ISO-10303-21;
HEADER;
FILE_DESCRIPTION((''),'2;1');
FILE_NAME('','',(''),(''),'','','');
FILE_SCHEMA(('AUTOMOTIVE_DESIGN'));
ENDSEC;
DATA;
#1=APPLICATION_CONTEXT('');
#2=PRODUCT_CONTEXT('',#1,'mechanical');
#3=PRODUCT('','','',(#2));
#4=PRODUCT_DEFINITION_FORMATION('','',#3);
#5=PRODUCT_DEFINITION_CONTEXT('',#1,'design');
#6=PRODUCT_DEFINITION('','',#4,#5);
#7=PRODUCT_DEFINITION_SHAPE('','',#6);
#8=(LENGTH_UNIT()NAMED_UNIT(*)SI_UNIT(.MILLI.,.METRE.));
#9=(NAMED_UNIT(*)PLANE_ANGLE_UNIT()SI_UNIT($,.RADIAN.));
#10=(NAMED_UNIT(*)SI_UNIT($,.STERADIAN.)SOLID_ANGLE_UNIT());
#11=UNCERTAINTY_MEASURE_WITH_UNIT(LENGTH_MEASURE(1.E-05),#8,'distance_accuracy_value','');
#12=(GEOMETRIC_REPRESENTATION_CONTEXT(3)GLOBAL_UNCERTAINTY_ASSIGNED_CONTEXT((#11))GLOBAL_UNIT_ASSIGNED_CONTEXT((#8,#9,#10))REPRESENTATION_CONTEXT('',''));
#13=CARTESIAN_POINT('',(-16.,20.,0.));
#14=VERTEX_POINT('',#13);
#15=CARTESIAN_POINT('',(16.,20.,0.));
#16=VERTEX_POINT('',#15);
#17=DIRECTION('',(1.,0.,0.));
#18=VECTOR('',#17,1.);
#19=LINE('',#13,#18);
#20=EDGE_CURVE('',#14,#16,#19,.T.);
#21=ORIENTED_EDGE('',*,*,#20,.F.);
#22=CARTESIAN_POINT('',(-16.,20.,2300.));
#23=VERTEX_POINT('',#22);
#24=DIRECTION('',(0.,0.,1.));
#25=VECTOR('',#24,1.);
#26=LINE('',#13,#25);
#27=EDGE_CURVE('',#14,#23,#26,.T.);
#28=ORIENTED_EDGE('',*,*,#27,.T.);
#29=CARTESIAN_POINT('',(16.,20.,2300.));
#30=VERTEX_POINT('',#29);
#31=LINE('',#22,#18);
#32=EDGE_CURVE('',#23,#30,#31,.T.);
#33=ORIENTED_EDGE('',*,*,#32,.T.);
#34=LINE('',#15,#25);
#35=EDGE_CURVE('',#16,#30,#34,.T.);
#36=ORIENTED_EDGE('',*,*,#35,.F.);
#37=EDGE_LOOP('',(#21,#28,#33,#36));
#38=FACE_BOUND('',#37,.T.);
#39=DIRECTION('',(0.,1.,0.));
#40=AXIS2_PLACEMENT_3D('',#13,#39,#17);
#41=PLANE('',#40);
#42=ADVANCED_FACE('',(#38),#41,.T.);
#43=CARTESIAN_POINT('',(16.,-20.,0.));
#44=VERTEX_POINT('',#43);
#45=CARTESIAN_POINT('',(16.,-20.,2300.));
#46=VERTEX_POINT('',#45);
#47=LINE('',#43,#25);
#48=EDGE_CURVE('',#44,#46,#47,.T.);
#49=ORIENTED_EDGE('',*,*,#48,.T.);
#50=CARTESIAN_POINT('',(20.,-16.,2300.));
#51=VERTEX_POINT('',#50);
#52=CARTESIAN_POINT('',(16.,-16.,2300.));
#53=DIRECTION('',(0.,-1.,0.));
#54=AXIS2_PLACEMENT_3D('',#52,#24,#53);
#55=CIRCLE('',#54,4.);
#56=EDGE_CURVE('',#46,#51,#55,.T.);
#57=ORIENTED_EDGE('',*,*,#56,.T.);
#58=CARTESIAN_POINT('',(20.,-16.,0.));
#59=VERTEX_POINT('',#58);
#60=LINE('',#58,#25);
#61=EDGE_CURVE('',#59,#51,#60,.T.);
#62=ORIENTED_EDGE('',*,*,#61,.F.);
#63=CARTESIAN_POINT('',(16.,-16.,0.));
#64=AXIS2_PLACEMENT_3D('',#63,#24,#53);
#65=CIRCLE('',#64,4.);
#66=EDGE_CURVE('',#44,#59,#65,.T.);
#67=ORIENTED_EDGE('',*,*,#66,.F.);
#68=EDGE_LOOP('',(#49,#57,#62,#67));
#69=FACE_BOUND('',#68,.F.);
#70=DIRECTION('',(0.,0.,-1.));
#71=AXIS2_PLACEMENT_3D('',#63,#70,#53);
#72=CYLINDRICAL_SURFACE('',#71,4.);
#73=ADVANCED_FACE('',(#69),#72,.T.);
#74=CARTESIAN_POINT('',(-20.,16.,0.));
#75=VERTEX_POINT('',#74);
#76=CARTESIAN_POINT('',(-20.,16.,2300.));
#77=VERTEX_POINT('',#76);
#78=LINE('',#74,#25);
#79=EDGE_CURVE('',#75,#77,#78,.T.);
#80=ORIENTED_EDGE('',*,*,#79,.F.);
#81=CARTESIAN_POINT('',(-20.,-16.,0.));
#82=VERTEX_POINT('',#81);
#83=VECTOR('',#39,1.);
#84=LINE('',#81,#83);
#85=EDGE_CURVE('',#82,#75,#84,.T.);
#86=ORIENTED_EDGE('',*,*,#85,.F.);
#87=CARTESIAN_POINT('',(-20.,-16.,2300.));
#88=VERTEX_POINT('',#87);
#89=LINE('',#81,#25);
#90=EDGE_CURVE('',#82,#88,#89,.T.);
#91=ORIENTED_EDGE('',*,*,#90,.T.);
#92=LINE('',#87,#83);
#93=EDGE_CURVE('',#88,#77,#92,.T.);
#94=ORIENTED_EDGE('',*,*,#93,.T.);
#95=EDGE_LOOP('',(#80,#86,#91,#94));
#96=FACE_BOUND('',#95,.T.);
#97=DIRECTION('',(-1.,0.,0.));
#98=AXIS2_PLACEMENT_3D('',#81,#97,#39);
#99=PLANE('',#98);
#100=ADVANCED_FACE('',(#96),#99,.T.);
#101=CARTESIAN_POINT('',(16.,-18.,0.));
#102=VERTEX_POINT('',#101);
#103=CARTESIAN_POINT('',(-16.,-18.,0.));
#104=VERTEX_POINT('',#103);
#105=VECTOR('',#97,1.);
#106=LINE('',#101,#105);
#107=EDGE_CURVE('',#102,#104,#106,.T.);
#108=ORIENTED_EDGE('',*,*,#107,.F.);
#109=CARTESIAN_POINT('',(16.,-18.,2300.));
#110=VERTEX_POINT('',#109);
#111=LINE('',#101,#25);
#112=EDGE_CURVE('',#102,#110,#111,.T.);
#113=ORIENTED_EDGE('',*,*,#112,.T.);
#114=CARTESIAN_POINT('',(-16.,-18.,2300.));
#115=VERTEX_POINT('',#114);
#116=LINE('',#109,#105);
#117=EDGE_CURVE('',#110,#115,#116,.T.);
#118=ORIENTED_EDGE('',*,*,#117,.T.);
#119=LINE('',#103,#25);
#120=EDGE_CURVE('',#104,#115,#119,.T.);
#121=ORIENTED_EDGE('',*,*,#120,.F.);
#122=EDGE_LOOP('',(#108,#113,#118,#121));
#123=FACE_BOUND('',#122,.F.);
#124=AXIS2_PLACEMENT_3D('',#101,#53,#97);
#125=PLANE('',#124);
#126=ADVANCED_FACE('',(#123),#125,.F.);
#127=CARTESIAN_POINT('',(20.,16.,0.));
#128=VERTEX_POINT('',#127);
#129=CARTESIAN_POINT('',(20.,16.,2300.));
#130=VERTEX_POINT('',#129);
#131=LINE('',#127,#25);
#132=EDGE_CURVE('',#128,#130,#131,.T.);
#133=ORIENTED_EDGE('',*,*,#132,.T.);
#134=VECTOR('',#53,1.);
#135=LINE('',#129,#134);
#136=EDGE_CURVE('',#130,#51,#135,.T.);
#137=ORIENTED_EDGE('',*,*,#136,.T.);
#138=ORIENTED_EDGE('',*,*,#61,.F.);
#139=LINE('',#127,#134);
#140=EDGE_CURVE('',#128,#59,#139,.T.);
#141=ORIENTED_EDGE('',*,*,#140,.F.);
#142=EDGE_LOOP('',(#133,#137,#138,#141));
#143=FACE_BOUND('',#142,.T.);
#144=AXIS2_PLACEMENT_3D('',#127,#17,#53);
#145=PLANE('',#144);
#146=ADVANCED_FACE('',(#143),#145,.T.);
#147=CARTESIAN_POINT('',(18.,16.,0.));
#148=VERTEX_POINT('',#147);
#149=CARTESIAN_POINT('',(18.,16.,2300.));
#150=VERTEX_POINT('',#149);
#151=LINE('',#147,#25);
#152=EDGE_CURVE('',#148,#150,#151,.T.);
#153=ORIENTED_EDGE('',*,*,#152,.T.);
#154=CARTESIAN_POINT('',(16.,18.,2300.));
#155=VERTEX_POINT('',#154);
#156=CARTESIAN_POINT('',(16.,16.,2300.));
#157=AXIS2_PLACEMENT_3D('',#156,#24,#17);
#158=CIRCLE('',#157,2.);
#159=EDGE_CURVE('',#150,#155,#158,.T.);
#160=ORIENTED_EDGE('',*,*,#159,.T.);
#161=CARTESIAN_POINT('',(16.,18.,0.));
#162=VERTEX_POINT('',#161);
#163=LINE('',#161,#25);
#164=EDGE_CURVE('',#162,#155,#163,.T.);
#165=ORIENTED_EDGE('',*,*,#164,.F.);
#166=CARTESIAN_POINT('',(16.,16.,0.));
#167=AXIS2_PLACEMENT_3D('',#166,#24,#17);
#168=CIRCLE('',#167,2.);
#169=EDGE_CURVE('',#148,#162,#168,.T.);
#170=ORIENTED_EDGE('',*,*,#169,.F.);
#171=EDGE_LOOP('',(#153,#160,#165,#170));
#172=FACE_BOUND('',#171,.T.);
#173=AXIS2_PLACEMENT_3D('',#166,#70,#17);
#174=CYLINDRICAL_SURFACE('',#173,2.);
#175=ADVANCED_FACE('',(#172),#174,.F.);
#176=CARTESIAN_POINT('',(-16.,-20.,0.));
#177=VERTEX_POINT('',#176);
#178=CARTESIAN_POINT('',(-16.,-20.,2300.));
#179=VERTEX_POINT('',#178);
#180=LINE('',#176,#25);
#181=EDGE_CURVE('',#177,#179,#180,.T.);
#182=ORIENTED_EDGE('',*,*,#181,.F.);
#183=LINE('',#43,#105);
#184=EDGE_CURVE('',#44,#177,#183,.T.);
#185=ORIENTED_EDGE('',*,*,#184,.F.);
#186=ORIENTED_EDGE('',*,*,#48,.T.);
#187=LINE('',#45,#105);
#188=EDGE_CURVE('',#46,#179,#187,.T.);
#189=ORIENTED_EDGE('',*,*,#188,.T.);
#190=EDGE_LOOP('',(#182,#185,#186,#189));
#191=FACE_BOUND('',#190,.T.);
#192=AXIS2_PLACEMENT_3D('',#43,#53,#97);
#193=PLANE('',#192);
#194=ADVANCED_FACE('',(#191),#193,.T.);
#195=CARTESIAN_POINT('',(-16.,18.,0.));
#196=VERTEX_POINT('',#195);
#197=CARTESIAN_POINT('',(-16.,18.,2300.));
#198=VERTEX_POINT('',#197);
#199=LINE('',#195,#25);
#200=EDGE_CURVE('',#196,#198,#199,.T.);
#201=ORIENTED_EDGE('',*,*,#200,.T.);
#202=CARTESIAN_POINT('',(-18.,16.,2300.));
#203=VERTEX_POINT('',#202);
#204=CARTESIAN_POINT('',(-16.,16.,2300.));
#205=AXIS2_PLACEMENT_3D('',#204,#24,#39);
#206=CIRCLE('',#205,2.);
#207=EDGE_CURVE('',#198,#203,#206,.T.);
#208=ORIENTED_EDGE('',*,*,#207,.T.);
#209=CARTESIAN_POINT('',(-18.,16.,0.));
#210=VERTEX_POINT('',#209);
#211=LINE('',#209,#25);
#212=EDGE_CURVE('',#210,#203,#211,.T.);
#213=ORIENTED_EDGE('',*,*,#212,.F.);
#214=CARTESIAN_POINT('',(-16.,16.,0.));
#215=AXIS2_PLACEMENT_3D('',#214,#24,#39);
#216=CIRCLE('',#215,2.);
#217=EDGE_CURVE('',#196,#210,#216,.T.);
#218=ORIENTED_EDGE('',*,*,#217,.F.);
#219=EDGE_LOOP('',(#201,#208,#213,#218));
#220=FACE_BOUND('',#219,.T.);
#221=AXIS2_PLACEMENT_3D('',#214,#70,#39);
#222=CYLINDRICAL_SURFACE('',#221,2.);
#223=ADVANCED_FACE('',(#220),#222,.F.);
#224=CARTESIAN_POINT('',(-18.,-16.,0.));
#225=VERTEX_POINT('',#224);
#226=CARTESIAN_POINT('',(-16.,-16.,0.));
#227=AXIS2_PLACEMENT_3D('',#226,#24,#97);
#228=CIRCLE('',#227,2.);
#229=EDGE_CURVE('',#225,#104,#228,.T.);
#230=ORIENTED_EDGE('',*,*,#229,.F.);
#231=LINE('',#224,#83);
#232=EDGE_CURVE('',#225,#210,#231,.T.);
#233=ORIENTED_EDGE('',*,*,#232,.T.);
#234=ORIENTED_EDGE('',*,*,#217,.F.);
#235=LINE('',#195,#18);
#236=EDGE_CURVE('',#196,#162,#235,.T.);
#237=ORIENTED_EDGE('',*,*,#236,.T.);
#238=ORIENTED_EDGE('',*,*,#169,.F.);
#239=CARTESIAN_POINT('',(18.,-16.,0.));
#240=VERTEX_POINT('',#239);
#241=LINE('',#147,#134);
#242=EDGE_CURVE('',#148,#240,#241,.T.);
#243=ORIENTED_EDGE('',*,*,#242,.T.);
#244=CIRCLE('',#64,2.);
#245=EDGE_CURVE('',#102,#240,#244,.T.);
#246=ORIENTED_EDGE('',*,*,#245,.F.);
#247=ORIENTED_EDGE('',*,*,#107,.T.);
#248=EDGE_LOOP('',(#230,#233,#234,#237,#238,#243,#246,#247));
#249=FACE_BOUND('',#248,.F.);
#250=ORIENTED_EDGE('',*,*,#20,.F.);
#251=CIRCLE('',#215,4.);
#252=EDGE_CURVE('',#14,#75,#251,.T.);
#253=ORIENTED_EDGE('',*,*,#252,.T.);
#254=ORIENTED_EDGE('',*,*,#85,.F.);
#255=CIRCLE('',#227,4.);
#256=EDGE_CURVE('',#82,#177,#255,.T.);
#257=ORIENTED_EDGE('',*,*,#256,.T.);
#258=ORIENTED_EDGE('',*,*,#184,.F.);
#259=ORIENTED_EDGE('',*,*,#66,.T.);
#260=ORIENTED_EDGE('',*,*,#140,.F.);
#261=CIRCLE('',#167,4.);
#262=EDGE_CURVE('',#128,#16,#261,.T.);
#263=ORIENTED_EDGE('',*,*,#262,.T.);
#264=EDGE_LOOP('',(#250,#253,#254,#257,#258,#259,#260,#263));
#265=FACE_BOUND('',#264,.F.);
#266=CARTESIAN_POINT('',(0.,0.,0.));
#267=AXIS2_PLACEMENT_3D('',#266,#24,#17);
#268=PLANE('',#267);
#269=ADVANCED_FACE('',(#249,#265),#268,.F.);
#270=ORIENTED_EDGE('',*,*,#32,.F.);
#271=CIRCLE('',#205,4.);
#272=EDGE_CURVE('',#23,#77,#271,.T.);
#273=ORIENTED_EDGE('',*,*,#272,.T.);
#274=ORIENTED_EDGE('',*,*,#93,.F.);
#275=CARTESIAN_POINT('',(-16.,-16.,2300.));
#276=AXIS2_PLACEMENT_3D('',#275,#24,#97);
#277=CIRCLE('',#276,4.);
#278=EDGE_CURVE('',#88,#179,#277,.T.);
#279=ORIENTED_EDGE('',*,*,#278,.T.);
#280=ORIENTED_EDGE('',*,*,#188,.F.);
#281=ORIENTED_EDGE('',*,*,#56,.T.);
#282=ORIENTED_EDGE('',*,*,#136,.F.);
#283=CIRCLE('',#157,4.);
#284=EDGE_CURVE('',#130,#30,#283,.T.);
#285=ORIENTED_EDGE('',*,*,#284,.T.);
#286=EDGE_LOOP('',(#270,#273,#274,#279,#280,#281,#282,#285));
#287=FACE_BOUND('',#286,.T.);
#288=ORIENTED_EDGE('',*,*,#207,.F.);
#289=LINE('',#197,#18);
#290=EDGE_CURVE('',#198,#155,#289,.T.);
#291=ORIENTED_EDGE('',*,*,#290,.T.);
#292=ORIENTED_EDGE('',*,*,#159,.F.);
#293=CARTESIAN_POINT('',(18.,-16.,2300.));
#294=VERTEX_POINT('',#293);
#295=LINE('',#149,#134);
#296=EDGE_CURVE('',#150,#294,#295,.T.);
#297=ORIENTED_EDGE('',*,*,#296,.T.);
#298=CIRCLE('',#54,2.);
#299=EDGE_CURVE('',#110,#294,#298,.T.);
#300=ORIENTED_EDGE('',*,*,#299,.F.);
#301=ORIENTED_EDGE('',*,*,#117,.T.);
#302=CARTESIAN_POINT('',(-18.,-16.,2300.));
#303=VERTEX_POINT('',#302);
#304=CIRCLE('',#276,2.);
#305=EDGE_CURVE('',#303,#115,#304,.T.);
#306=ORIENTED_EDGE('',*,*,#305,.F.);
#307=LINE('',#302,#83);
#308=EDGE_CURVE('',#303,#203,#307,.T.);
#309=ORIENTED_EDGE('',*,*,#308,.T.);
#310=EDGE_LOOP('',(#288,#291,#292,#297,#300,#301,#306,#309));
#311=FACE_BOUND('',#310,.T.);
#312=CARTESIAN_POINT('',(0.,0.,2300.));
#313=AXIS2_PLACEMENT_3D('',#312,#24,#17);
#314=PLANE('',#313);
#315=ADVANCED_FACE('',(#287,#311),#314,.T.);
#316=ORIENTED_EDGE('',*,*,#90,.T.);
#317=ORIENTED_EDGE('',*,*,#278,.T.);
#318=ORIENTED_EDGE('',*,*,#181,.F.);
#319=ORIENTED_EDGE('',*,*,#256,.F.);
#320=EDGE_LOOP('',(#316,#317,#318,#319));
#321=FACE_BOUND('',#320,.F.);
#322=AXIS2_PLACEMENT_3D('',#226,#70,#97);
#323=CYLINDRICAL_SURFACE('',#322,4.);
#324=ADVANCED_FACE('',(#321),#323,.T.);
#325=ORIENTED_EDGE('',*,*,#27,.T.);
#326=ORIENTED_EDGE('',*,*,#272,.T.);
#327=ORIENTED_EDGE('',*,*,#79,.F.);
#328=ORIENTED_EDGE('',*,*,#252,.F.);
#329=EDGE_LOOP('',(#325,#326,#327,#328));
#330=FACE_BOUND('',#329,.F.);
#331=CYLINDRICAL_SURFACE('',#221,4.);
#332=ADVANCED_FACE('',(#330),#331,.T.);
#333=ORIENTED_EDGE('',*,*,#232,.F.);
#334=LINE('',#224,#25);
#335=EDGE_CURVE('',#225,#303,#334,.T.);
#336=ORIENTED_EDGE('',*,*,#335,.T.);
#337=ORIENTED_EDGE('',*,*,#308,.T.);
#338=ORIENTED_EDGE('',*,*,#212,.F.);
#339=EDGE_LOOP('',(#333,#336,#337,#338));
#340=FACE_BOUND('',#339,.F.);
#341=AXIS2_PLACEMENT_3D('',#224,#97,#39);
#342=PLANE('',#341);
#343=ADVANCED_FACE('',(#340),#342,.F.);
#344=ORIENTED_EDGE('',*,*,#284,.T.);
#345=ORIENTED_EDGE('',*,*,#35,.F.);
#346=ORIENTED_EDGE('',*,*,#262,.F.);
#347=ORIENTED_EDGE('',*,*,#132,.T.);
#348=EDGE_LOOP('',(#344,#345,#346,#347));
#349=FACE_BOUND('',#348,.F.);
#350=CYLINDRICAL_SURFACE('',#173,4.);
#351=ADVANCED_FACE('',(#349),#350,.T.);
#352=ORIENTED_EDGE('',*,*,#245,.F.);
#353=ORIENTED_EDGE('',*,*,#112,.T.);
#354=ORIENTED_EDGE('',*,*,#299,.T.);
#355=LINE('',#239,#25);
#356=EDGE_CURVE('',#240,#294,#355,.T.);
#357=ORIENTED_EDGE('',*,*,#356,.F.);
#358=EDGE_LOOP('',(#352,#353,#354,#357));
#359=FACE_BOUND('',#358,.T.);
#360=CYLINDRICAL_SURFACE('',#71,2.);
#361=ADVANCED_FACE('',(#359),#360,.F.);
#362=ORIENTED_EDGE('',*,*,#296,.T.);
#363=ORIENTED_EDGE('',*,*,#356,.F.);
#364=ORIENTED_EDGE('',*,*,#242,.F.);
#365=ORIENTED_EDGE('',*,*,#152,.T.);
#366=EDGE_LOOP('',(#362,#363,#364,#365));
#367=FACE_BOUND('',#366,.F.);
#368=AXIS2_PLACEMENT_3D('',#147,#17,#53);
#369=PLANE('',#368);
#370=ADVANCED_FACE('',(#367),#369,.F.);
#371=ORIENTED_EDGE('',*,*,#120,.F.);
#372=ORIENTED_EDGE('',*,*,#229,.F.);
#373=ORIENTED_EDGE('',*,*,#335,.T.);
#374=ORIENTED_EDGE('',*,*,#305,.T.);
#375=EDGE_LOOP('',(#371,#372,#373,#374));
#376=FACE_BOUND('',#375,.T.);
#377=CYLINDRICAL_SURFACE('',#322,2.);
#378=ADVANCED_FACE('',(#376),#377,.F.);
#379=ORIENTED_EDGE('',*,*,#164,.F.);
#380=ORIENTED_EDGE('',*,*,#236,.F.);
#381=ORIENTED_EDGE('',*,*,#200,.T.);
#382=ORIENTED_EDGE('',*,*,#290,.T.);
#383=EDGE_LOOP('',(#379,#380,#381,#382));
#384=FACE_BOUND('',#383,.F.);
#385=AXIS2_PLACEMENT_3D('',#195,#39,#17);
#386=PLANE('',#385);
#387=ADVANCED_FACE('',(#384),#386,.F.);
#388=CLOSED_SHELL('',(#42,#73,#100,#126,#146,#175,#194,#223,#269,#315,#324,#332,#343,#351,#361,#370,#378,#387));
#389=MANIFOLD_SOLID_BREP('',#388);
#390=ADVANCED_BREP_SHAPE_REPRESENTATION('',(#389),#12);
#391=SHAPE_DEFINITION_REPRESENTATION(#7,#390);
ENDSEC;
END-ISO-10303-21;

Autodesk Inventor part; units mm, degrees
ref_plane "YZ Plane" through (0, 0, 0) normal (1, 0, 0) x (0, 1, 0)
ref_plane "Start Plane" through (0, 0, 0) normal (0, 0, 1) x (1, 0, 0)
ref_plane "End Plane" through (0, 0, 2300) normal (0, 0, 1) x (1, 0, 0)
sketch "Sketch" plane through (0, 0, 0) normal (0, 0, 1) x (1, 0, 0)
  line L0 (-20, -16) -> (-20, 16)
  line L1 (-16, 20) -> (16, 20)
  line L2 (20, 16) -> (20, -16)
  line L3 (16, -20) -> (-16, -20)
  arc A0 (-20, -16) -> (-16, -20) centre (-16, -16) ccw
  arc A1 (20, 16) -> (16, 20) centre (16, 16) ccw
  arc A2 (-16, 20) -> (-20, 16) centre (-16, 16) ccw
  arc A3 (16, -20) -> (20, -16) centre (16, -16) ccw
  arc A4 (-16, 18) -> (-18, 16) centre (-16, 16) ccw
  line L4 (-16, 18) -> (16, 18)
  arc A5 (18, 16) -> (16, 18) centre (16, 16) ccw
  line L5 (18, 16) -> (18, -16)
  arc A6 (16, -18) -> (18, -16) centre (16, -16) ccw
  line L6 (16, -18) -> (-16, -18)
  arc A7 (-18, -16) -> (-16, -18) centre (-16, -16) ccw
  line L7 (-18, -16) -> (-18, 16)
  line L8 (0, 29.1598) -> (0, -29.1598) construction
  line L9 (-29.1598, 0) -> (29.1598, 0) construction
  dimension "d7" = 4
  dimension "d9" = 40
  dimension "d11" = 40
  dimension "d12" = 2
  dimension "d15" = 20
  dimension "d16" = 20
extrude "Body" add sketch "Sketch" along normal up to surface (2300 mm away) from surface at 0
sketch "Sketch3" plane through (0, 0, 0) normal (0, 0, 1) x (1, 0, 0)
  line L0 (0, 0) -> (10, 0)
ref_plane "Work Plane3" through (0, 0, 0) normal (0, -1, 0) x (1, 0, 0)
sketch "Sketch4" plane through (0, 0, 0) normal (0, -1, 0) x (1, 0, 0)
  line L0 (-2, 0) -> (12, 0) projected
  line L1 (-2, 2300) -> (12, 2300) projected
  dimension "d18" = 2300
equation "\"d7\" = G_IR"
equation "\"d9\" = G_W"
equation "\"d11\" = G_H"
equation "\"d12\" = G_T"
equation "\"d15\" = 0.5 * d9"
equation "\"d16\" = 0.5 * d11"
equation "\"d3\" = G_L"
equation "\"G_W\" = 40"
equation "\"G_H\" = 40"
equation "\"G_T\" = 2"
equation "\"G_IR\" = 4"
equation "\"G_L\" = d18"
equation "\"G_OFFSET_START\" = 0"
equation "\"G_OFFSET_END\" = 0"
properties part number "ISO 10799-2 - 40x40x2 - 2300" material "Stainless Steel"
